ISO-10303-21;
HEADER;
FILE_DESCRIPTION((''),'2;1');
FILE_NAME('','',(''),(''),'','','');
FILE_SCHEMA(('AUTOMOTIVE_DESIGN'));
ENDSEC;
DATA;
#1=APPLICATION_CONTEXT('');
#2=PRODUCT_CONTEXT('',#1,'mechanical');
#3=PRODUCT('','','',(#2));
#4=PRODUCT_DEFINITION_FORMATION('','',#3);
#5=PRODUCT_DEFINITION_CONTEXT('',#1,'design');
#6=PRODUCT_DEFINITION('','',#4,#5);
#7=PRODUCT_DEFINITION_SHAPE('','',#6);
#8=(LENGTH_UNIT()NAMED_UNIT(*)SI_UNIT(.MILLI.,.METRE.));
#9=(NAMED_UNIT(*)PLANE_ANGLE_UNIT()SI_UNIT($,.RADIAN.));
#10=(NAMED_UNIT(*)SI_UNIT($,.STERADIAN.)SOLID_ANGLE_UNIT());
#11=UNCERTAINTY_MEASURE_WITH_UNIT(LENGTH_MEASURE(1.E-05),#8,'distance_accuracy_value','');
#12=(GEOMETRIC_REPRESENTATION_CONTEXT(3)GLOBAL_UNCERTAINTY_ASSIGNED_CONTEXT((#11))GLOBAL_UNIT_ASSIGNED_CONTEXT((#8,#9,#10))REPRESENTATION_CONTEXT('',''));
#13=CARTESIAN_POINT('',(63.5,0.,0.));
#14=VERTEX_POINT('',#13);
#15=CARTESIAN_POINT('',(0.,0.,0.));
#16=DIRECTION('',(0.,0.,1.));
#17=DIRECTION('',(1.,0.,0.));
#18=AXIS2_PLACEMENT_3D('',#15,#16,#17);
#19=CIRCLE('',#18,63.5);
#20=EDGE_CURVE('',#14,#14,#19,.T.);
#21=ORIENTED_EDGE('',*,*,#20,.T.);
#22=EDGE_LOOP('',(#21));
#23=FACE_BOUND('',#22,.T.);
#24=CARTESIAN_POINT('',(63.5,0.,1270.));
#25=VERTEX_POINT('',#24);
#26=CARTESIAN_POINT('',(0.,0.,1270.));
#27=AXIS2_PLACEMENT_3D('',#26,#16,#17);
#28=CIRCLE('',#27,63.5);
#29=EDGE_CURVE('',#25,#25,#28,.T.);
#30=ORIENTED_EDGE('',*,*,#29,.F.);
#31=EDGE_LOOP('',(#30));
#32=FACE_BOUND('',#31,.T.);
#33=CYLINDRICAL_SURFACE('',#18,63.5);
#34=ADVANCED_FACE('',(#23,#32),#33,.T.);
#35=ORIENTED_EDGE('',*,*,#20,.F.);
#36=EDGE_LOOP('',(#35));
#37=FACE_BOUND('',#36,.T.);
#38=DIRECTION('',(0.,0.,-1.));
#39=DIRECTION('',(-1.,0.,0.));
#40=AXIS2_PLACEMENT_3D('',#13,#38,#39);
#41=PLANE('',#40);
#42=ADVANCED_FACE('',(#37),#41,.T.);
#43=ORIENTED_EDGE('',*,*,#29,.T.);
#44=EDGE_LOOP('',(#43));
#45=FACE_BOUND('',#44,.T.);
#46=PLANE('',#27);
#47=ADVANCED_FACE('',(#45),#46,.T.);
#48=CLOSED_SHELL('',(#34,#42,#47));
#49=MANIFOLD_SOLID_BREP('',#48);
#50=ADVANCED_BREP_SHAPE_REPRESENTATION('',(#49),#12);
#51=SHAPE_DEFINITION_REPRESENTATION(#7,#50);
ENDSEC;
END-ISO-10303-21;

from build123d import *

# Parameters (mm, degrees)
SKETCH1_W = 63.5
SKETCH1_H = 1270


with BuildPart() as part:
    # Sketch1 → Revolve1 (revolve)
    with BuildSketch(Plane(origin=(0, 0, 0), x_dir=(1, 0, 0), z_dir=(0, 1, 0))):
        with Locations((31.75, -635)):
            Rectangle(SKETCH1_W, SKETCH1_H)
    revolve(axis=Axis((0, 0, 0), (0, 0, 1)))


solid = part.part
